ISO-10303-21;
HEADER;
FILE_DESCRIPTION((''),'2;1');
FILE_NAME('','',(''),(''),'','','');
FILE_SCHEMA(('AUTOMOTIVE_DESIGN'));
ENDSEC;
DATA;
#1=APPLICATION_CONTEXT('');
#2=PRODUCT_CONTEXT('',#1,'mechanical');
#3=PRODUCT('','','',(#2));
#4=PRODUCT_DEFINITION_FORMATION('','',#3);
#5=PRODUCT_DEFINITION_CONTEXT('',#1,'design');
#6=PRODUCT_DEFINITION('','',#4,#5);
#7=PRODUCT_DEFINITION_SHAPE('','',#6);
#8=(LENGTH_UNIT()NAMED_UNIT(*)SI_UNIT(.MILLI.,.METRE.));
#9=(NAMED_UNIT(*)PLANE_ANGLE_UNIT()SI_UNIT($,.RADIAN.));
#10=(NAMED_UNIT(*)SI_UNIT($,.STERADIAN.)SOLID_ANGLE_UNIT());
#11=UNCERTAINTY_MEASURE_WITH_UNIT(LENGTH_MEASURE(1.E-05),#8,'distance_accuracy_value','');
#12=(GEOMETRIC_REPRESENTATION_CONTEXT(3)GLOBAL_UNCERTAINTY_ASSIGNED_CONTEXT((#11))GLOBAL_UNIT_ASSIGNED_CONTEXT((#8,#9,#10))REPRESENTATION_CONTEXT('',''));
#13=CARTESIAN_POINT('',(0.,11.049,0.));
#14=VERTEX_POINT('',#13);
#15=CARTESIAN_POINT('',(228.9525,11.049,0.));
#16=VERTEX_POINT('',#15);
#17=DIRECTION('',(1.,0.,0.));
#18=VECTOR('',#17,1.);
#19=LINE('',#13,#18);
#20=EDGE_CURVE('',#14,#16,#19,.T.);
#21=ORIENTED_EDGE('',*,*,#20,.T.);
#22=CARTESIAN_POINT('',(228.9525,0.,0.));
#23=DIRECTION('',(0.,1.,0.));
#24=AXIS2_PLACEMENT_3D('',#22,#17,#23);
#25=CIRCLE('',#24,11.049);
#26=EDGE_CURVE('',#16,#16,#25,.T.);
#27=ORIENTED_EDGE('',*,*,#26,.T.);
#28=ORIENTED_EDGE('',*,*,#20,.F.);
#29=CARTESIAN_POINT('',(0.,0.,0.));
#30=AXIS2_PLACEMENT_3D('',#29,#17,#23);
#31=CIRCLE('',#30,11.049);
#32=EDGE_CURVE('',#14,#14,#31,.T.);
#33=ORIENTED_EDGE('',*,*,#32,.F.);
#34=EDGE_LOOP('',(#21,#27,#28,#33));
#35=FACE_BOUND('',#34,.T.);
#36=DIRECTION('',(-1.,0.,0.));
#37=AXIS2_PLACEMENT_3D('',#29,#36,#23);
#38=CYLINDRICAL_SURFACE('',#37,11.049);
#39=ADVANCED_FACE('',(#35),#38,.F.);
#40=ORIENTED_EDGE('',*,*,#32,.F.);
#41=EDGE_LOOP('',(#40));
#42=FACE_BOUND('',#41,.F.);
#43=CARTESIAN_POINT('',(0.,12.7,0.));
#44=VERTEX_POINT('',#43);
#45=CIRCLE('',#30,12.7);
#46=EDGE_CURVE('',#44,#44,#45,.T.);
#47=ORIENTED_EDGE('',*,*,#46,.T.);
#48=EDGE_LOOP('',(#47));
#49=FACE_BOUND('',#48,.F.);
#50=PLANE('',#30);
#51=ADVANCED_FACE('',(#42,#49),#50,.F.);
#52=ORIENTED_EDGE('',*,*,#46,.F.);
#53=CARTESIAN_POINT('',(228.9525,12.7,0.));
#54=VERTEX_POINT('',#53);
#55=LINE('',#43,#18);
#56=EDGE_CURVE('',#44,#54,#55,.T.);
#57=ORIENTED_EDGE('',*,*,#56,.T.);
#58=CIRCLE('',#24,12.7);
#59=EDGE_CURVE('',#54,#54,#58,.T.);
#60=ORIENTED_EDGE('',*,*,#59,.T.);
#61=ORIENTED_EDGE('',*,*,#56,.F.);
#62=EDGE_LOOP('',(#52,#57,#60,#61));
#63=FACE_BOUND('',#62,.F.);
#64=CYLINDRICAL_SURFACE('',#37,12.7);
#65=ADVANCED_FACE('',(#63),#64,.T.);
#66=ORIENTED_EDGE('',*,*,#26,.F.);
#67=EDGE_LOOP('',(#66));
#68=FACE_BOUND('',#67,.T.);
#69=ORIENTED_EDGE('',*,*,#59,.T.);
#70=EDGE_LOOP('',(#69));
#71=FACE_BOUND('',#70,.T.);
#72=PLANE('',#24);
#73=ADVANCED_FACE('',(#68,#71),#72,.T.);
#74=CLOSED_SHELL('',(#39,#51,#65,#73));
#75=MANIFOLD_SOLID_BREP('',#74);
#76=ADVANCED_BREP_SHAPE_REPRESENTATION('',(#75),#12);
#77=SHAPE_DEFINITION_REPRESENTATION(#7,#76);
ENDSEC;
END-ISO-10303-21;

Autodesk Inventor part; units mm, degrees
ref_plane "XZ Plane" through (0, 0, 0) normal (0, 1, 0) x (-1, 0, 0)
ref_plane "Start Plane" through (0, 0, 0) normal (1, 0, 0) x (0, 1, 0)
ref_plane "End Plane" through (228.9525, 0, 0) normal (1, 0, 0) x (0, 1, 0)
sketch "Sketch" plane through (0, 0, 0) normal (1, 0, 0) x (0, 1, 0)
  circle A0 centre (0, 0) radius 12.7
  circle A1 centre (0, 0) radius 11.049
  dimension "d0" = 25.4
  dimension "d1" = 1.651
extrude "Body" add sketch "Sketch" along normal up to surface (228.9525 mm away) from surface at 0
sketch "Sketch2" plane through (0, 0, 0) normal (1, 0, 0) x (0, 1, 0)
  line L0 (0, 0) -> (10, 0)
ref_plane "Work Plane3" through (0, 0, 0) normal (0, 0, -1) x (0, 1, 0)
sketch "Sketch3" plane through (0, 0, 0) normal (0, 0, -1) x (0, 1, 0)
  line L0 (-2, 0) -> (12, 0)
  line L1 (-2, 228.9525) -> (12, 228.9525)
  dimension "d9" = 228.9525
equation "\"G_OFFSET_START\" = 0"
equation "\"G_OFFSET_END\" = 0"
equation "\"d5\" = d2 + G_OFFSET_END"
equation "\"G_L\" = d9"
equation "\"d2\" = 228.952506"
properties part number "4130_1x0.065" material "Steel, Alloy"
